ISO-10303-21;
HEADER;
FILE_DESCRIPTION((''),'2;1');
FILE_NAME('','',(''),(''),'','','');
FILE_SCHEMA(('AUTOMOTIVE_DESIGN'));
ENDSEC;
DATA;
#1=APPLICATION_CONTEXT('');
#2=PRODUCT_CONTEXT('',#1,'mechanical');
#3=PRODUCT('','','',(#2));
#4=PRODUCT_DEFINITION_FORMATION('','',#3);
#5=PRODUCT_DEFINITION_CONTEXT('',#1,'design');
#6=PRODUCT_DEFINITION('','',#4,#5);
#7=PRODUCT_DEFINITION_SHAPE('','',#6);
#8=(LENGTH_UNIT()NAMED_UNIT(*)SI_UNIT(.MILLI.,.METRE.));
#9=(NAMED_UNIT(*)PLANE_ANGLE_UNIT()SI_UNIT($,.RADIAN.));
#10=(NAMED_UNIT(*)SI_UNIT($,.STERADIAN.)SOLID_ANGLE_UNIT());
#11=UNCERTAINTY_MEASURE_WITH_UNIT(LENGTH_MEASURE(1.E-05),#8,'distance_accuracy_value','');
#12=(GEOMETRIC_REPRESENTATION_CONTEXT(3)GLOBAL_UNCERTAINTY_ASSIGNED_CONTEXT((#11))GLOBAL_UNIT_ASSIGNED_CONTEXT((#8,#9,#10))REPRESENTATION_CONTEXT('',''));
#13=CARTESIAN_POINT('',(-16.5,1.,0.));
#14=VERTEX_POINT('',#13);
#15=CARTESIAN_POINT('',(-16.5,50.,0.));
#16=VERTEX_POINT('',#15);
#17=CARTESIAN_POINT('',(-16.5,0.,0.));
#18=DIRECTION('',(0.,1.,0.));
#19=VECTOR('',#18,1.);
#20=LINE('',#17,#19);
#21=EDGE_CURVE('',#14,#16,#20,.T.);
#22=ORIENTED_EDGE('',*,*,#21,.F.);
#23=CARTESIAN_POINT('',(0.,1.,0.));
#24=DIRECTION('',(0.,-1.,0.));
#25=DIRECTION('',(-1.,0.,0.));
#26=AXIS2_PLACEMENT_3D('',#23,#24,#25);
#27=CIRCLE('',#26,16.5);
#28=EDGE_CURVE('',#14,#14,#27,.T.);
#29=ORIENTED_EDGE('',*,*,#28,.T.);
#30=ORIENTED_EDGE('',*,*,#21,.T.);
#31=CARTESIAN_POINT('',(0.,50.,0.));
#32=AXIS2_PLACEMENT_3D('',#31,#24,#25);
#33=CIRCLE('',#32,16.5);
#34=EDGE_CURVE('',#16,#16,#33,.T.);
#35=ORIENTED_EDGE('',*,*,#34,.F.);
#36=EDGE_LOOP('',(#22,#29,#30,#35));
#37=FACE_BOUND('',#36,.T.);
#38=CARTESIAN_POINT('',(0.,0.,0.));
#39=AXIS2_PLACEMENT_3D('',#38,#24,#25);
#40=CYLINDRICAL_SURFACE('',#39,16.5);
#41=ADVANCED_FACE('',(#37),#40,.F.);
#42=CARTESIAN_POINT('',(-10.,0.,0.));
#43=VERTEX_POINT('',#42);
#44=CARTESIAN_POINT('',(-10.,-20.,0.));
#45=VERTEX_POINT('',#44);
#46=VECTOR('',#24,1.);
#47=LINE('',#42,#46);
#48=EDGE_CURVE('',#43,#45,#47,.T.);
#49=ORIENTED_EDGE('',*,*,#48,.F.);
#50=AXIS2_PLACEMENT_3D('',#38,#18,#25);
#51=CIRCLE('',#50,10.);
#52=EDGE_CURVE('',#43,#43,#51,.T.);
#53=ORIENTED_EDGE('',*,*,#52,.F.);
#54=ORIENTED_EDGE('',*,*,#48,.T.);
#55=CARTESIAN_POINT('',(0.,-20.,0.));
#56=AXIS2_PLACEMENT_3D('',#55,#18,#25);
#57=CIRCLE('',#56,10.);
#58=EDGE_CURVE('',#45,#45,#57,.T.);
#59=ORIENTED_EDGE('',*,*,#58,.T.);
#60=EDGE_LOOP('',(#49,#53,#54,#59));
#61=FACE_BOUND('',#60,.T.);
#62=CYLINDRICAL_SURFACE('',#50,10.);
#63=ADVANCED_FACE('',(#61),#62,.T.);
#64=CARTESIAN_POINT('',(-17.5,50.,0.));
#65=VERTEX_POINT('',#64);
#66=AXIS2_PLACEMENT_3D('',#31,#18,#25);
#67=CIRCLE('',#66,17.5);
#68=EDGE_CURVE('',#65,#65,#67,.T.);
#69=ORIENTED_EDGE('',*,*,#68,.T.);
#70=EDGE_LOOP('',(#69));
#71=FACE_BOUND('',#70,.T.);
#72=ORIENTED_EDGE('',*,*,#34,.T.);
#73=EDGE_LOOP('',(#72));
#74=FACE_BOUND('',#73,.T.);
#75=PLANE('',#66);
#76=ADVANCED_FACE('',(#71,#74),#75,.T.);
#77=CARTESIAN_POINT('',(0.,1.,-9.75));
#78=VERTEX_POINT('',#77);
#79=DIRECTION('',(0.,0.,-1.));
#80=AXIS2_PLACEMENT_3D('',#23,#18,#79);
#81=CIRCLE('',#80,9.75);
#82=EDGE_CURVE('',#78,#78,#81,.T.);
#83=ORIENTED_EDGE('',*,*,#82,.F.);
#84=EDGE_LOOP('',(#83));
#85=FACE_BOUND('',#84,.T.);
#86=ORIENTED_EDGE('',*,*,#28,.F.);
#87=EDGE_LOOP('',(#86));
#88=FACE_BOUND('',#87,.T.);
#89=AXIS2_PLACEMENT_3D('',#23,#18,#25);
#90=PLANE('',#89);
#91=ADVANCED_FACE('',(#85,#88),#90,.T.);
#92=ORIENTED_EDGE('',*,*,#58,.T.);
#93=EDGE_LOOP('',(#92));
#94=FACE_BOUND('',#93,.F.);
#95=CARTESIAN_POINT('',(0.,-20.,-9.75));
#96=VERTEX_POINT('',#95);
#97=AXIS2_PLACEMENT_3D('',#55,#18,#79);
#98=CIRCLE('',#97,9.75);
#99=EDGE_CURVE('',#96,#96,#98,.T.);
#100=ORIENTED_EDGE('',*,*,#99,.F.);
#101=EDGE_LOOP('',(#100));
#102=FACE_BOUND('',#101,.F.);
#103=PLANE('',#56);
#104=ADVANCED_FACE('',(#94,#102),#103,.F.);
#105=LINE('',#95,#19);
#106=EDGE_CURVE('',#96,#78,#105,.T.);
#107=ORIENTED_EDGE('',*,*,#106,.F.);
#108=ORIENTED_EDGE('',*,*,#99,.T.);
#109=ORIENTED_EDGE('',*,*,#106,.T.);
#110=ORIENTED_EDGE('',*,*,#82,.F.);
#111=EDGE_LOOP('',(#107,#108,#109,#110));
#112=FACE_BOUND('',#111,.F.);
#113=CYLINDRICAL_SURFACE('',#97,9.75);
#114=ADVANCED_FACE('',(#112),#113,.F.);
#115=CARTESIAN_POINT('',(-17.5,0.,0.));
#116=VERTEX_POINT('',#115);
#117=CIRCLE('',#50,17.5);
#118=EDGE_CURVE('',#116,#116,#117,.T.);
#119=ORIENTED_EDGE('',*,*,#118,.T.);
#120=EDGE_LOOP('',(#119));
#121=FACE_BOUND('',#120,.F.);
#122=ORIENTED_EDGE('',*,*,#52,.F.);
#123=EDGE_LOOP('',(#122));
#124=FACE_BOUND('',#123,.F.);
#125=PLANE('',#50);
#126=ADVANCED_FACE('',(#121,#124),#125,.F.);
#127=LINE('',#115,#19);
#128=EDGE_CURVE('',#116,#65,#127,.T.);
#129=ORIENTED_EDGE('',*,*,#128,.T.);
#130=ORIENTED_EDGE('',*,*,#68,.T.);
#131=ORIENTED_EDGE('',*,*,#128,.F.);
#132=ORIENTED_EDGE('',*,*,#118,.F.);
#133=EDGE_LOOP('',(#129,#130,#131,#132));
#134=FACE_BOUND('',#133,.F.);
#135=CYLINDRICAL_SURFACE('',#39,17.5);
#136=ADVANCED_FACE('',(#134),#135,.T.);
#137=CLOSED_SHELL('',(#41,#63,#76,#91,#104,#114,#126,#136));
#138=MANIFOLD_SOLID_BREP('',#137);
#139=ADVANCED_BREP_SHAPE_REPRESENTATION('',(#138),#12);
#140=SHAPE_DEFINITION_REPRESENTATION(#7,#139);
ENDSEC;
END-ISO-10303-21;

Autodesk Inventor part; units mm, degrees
ref_plane "YZ Plane" through (0, 0, 0) normal (1, 0, 0) x (0, 1, 0)
ref_plane "XZ Plane" through (0, 0, 0) normal (0, 1, 0) x (-1, 0, 0)
ref_plane "XY Plane" through (0, 0, 0) normal (0, 0, 1) x (1, 0, 0)
sketch "Sketch1" plane through (0, 0, 0) normal (0, 1, 0) x (-1, 0, 0)
  circle A0 centre (0, 0) radius 17.5
  circle A1 centre (0, 0) radius 10
  dimension "d0" = 35
  dimension "d1" = 20
extrude "Extrusion1" add sketch "Sketch1" along normal blind 50 contours A0 | A1
extrude "Extrusion2" add sketch "Sketch1" against normal blind 20 contours A1
shell "Shell1" thickness 1 removed faces 1 at (-4.3663, 50, -1.0762)
sketch "Sketch2" plane through (0, -20, 0) normal (0, -1, 0) x (1, 0, 0)
  point P0 (0, 0)
  point P1 (0, 0)
hole "Hole1" at (0, -20, 0) direction (0, 1, 0) diameter 19.5 depth 50
properties part number "new seed container"
